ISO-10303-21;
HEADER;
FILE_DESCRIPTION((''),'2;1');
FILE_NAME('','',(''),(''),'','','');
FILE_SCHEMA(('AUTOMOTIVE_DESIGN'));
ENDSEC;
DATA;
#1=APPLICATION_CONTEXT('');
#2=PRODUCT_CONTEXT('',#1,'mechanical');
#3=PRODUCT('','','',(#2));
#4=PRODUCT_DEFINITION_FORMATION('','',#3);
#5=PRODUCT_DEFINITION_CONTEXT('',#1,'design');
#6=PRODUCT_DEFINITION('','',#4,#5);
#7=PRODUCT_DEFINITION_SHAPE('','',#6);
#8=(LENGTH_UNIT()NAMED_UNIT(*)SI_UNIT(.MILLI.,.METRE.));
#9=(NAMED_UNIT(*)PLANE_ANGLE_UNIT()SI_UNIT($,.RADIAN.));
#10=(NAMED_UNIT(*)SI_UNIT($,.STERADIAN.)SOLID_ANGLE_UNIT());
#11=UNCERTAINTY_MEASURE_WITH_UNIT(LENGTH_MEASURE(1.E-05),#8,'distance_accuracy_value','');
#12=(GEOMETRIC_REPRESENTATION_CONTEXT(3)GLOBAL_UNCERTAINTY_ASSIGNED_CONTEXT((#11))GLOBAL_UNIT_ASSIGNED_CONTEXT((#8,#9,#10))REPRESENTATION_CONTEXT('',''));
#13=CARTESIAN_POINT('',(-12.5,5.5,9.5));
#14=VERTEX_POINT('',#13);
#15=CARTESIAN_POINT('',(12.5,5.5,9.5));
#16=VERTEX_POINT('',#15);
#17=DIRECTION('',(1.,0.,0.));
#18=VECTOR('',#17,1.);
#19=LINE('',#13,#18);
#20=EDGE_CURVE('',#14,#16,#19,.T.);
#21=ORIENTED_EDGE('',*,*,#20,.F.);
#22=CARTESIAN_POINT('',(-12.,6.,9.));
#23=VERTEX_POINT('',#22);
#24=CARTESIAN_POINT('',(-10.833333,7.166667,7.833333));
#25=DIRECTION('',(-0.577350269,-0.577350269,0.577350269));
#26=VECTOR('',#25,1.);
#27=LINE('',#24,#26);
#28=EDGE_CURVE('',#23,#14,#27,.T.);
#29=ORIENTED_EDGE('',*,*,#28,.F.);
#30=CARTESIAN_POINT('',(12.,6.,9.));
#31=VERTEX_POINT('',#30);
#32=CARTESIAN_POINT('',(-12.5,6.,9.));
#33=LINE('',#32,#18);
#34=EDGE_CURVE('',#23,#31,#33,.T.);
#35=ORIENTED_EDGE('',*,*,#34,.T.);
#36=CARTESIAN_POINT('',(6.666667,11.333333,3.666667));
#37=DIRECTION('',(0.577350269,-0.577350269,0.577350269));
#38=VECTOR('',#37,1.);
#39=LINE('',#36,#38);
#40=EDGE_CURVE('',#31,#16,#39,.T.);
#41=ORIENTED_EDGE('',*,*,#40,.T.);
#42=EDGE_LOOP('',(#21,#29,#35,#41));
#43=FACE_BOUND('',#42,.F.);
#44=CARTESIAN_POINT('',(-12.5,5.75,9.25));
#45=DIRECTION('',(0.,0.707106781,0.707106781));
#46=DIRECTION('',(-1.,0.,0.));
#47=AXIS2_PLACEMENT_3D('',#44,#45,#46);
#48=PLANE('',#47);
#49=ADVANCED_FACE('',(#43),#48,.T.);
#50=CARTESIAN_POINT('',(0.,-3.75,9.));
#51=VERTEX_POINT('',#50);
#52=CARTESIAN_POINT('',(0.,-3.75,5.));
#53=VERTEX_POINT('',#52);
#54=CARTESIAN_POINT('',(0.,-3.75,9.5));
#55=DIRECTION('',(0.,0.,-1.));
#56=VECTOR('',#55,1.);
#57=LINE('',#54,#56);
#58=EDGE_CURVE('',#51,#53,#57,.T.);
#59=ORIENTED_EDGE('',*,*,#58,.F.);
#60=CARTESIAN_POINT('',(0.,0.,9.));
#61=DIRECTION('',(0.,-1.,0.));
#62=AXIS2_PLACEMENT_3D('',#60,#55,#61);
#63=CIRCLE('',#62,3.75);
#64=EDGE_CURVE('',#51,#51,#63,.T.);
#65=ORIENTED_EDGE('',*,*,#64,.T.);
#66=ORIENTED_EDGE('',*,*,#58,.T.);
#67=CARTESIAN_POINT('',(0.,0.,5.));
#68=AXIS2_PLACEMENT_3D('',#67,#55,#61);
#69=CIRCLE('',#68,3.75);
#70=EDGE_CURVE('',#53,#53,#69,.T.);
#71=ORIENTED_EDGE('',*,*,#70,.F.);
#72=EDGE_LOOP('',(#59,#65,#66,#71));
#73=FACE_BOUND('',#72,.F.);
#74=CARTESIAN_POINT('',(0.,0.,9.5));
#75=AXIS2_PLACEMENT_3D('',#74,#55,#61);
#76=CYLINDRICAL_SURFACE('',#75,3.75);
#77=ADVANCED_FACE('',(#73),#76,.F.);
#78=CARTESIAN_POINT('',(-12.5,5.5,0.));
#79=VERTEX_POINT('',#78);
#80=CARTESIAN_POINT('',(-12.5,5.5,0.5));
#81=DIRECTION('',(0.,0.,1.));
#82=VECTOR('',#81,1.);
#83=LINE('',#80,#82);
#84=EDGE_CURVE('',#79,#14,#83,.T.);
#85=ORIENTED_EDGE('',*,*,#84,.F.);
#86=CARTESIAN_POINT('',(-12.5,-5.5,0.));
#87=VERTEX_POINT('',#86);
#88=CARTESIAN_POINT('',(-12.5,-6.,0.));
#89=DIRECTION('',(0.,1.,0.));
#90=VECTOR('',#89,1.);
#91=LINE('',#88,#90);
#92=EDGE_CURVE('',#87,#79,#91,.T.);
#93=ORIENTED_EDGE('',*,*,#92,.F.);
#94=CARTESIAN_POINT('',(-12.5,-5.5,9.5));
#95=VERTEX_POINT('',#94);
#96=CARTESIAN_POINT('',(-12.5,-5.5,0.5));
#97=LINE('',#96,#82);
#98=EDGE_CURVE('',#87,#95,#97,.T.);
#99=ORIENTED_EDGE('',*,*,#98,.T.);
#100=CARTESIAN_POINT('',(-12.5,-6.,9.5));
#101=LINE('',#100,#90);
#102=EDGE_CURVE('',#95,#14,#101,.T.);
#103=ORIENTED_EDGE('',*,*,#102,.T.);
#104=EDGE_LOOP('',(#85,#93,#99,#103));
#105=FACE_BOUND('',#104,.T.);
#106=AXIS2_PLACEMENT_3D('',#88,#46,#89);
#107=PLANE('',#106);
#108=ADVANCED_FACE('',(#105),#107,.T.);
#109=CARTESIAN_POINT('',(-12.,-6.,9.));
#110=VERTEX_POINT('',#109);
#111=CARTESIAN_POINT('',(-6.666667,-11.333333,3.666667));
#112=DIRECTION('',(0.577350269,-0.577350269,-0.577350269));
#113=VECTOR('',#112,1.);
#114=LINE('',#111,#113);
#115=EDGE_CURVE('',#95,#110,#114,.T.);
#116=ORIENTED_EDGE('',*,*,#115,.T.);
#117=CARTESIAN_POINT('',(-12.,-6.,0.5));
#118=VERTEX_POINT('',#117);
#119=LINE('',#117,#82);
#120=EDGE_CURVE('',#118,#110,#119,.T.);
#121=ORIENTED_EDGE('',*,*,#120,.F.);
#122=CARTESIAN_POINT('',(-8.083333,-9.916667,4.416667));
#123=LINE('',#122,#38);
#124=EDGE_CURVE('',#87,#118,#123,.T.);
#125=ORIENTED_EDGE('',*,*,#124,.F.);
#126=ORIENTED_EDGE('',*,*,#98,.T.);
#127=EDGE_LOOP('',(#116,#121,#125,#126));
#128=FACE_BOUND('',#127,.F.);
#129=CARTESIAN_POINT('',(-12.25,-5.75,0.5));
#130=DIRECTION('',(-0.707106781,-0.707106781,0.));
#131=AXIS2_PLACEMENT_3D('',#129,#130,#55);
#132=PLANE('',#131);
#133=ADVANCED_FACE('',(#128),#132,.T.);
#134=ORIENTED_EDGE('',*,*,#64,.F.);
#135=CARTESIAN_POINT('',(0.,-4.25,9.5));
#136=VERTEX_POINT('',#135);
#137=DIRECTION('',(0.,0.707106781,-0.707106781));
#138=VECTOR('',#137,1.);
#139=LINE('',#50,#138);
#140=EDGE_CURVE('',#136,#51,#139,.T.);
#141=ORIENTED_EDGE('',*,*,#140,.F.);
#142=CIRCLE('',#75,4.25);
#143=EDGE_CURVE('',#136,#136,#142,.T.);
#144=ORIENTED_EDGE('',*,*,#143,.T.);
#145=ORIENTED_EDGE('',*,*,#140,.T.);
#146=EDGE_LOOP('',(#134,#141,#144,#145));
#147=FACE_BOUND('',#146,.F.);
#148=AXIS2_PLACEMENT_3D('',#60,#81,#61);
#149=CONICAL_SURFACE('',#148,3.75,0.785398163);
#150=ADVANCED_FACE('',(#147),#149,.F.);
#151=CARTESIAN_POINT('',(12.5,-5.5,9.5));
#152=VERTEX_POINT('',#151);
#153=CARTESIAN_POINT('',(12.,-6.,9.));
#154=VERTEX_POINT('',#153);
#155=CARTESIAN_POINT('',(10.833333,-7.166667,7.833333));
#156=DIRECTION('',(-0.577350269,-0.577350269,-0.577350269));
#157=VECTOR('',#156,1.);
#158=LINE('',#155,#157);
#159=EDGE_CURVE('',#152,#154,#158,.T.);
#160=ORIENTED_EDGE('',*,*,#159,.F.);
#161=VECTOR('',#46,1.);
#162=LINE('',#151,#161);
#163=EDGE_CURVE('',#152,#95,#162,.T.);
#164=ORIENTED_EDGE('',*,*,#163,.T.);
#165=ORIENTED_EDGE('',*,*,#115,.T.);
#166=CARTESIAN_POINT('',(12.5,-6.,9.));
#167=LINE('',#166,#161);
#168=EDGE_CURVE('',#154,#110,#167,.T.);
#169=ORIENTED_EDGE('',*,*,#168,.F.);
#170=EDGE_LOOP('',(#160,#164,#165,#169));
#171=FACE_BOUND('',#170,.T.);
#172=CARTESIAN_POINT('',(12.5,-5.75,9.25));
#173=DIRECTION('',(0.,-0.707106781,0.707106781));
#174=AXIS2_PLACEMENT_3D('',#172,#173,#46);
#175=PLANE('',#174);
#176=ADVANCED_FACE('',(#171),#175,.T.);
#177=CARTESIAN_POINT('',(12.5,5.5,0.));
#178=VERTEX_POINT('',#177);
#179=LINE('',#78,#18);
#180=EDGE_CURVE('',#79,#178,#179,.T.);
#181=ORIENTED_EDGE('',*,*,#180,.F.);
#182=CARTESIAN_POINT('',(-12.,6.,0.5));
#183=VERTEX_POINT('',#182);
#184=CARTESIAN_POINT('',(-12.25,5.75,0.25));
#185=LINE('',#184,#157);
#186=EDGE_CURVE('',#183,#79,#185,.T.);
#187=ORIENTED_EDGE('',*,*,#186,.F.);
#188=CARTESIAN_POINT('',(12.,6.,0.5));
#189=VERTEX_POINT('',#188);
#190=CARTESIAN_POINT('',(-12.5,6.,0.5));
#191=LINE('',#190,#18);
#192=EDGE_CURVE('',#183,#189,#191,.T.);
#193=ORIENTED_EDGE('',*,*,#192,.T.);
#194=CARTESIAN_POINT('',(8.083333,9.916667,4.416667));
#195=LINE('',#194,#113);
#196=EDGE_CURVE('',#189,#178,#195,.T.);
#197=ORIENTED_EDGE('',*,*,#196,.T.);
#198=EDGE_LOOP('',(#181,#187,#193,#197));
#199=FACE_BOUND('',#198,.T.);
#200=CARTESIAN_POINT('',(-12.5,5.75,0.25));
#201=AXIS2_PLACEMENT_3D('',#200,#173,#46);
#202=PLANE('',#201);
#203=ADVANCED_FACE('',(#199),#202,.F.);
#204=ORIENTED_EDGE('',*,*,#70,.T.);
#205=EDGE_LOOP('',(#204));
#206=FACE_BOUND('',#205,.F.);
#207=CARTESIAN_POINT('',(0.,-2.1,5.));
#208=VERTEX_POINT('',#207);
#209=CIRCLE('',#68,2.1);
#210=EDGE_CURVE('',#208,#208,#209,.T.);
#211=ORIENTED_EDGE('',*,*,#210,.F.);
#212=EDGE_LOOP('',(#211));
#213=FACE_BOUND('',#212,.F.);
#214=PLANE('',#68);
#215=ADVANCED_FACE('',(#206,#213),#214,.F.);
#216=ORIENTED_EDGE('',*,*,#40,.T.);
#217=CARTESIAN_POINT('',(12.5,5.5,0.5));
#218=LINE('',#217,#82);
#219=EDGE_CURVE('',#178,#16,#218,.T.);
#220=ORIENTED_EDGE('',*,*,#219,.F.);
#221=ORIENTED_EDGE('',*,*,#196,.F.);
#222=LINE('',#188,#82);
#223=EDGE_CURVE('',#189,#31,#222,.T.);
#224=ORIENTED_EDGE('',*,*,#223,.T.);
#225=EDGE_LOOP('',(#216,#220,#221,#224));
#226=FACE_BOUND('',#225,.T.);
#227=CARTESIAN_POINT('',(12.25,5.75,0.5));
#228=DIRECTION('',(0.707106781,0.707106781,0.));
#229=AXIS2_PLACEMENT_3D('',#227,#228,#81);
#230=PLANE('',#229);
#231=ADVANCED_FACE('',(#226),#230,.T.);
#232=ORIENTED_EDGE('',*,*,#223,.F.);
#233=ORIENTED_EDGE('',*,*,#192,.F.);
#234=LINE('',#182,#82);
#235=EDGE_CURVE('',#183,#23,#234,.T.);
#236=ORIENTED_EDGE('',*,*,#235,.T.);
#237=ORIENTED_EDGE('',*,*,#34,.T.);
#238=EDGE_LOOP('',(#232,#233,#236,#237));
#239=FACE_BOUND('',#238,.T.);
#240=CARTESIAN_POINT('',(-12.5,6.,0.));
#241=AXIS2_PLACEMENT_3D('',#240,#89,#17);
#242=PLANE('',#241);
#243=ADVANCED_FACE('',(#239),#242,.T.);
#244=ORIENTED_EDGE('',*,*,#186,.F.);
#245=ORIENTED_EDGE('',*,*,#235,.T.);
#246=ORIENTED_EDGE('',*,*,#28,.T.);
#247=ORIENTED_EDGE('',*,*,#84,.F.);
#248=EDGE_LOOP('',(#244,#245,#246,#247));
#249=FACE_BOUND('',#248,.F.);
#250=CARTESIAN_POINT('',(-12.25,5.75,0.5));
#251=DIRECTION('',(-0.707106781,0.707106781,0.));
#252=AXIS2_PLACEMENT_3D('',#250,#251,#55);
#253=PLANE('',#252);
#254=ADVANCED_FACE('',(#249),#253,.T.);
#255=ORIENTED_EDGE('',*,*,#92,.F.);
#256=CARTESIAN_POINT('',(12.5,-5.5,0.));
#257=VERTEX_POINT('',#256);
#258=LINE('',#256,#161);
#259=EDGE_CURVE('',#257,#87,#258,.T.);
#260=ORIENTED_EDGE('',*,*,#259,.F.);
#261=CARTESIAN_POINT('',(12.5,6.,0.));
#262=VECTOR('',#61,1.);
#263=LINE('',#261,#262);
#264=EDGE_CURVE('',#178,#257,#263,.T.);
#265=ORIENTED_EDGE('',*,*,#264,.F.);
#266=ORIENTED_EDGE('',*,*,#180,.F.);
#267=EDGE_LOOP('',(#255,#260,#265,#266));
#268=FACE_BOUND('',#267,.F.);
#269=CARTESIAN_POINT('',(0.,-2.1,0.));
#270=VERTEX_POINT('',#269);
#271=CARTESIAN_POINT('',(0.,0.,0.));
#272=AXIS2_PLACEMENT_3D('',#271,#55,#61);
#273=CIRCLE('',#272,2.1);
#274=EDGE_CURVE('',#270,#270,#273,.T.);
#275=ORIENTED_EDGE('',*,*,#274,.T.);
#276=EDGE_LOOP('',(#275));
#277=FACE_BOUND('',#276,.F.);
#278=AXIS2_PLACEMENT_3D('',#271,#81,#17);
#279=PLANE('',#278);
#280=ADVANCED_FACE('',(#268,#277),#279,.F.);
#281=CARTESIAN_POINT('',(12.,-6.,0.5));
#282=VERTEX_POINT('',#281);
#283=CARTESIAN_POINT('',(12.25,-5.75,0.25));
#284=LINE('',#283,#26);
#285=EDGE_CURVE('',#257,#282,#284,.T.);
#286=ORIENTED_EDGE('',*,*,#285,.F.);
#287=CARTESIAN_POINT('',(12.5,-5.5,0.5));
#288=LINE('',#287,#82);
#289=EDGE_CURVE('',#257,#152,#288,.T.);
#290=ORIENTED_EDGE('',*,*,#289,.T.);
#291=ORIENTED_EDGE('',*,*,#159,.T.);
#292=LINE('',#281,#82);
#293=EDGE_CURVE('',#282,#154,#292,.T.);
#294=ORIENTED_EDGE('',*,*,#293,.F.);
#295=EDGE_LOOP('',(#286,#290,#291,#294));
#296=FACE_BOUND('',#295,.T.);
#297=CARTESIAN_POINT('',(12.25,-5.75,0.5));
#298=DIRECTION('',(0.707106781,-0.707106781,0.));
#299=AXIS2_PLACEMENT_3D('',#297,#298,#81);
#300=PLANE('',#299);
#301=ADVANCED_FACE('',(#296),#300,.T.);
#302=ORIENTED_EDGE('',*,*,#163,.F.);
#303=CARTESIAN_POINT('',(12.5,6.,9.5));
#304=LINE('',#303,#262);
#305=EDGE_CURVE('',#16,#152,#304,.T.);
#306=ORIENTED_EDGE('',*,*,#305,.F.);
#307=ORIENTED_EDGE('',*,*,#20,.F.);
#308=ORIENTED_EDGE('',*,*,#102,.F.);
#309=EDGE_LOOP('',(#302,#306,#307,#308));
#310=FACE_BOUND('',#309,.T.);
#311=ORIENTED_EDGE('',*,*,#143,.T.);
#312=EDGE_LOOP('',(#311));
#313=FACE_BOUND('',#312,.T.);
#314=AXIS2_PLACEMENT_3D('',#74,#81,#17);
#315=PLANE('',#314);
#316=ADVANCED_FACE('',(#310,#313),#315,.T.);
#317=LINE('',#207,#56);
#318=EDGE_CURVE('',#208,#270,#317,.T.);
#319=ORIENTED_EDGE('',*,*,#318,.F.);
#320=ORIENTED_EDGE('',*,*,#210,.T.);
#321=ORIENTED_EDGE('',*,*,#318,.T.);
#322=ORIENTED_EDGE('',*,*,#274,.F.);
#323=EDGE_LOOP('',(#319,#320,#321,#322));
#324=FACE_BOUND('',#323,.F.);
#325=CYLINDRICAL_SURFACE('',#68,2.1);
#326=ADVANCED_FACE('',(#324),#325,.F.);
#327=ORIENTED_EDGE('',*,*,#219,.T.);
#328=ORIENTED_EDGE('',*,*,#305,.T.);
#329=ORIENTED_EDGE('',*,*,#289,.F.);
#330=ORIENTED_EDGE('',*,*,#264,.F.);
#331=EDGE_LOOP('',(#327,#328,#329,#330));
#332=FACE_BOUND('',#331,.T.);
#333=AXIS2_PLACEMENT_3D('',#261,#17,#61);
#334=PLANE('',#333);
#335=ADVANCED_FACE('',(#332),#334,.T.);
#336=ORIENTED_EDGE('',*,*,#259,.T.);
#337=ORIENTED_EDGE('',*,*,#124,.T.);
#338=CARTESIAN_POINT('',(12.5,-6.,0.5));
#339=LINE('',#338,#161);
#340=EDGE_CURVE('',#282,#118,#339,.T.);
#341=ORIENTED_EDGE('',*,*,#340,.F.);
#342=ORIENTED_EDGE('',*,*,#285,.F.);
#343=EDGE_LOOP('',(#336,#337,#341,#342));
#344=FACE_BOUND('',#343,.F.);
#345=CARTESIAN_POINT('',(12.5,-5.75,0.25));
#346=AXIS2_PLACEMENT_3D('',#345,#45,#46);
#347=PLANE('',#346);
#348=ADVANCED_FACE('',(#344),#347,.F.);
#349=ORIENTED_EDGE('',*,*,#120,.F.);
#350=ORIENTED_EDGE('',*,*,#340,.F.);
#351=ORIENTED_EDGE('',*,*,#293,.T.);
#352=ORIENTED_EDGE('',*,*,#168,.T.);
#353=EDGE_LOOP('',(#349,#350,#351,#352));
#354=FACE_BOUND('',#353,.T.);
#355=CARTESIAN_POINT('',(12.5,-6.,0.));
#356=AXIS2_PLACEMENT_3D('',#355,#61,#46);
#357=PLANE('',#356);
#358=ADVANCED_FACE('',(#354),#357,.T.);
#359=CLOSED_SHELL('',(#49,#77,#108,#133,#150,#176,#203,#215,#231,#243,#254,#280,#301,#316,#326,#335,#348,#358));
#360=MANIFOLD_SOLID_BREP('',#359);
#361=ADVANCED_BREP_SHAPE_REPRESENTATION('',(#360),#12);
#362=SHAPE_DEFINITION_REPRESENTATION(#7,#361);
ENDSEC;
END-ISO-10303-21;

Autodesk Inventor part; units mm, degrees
ref_plane "YZ Plane" through (0, 0, 0) normal (1, 0, 0) x (0, 1, 0)
ref_plane "XZ Plane" through (0, 0, 0) normal (0, 1, 0) x (-1, 0, 0)
ref_plane "XY Plane" through (0, 0, 0) normal (0, 0, 1) x (1, 0, 0)
sketch "Sketch5" plane through (0, 0, 0) normal (0, 0, 1) x (1, 0, 0)
  line L0 (-12.5, 6) -> (12.5, 6)
  line L1 (12.5, 6) -> (12.5, -6)
  line L2 (12.5, -6) -> (-12.5, -6)
  line L3 (-12.5, -6) -> (-12.5, 6)
  point P0 (0, 0)
  point P1 (0, 6)
  point P2 (12.5, 0)
  dimension "d8" = 25
  dimension "d9" = 12
extrude "Extrusion5" add sketch "Sketch5" along normal blind 9.5
sketch "Sketch6" plane through (0, 0, 9.5) normal (0, 0, 1) x (1, 0, 0)
  circle A0 centre (0, 0) radius 2
  dimension "d12" = 4
hole "Hole1" at (0, 0, 9.5) direction (0, 0, -1) diameter 4.2 end through all counterbore diameter 7.5 counterbore depth 4.5 clearance for "Socket Head Cap Screw DIN EN ISO 4762" size "M4" standard "DIN"
chamfer "Chamfer2" distance 0.5 angle 45 4 edges at (0, -6, 9.5) (0, 6, 9.5) (0, -6, 0) (0, 6, 0)
chamfer "Chamfer3" distance 0.5 angle 45 4 edges at (12.5, 6, 4.75) (-12.5, 6, 4.75) (-12.5, -6, 4.75) (12.5, -6, 4.75)
chamfer "Chamfer4" distance 0.5 angle 45 1 edges at (0, 3.75, 9.5)
properties part number "BC-10025" material "Aço Inox AISI 304"
